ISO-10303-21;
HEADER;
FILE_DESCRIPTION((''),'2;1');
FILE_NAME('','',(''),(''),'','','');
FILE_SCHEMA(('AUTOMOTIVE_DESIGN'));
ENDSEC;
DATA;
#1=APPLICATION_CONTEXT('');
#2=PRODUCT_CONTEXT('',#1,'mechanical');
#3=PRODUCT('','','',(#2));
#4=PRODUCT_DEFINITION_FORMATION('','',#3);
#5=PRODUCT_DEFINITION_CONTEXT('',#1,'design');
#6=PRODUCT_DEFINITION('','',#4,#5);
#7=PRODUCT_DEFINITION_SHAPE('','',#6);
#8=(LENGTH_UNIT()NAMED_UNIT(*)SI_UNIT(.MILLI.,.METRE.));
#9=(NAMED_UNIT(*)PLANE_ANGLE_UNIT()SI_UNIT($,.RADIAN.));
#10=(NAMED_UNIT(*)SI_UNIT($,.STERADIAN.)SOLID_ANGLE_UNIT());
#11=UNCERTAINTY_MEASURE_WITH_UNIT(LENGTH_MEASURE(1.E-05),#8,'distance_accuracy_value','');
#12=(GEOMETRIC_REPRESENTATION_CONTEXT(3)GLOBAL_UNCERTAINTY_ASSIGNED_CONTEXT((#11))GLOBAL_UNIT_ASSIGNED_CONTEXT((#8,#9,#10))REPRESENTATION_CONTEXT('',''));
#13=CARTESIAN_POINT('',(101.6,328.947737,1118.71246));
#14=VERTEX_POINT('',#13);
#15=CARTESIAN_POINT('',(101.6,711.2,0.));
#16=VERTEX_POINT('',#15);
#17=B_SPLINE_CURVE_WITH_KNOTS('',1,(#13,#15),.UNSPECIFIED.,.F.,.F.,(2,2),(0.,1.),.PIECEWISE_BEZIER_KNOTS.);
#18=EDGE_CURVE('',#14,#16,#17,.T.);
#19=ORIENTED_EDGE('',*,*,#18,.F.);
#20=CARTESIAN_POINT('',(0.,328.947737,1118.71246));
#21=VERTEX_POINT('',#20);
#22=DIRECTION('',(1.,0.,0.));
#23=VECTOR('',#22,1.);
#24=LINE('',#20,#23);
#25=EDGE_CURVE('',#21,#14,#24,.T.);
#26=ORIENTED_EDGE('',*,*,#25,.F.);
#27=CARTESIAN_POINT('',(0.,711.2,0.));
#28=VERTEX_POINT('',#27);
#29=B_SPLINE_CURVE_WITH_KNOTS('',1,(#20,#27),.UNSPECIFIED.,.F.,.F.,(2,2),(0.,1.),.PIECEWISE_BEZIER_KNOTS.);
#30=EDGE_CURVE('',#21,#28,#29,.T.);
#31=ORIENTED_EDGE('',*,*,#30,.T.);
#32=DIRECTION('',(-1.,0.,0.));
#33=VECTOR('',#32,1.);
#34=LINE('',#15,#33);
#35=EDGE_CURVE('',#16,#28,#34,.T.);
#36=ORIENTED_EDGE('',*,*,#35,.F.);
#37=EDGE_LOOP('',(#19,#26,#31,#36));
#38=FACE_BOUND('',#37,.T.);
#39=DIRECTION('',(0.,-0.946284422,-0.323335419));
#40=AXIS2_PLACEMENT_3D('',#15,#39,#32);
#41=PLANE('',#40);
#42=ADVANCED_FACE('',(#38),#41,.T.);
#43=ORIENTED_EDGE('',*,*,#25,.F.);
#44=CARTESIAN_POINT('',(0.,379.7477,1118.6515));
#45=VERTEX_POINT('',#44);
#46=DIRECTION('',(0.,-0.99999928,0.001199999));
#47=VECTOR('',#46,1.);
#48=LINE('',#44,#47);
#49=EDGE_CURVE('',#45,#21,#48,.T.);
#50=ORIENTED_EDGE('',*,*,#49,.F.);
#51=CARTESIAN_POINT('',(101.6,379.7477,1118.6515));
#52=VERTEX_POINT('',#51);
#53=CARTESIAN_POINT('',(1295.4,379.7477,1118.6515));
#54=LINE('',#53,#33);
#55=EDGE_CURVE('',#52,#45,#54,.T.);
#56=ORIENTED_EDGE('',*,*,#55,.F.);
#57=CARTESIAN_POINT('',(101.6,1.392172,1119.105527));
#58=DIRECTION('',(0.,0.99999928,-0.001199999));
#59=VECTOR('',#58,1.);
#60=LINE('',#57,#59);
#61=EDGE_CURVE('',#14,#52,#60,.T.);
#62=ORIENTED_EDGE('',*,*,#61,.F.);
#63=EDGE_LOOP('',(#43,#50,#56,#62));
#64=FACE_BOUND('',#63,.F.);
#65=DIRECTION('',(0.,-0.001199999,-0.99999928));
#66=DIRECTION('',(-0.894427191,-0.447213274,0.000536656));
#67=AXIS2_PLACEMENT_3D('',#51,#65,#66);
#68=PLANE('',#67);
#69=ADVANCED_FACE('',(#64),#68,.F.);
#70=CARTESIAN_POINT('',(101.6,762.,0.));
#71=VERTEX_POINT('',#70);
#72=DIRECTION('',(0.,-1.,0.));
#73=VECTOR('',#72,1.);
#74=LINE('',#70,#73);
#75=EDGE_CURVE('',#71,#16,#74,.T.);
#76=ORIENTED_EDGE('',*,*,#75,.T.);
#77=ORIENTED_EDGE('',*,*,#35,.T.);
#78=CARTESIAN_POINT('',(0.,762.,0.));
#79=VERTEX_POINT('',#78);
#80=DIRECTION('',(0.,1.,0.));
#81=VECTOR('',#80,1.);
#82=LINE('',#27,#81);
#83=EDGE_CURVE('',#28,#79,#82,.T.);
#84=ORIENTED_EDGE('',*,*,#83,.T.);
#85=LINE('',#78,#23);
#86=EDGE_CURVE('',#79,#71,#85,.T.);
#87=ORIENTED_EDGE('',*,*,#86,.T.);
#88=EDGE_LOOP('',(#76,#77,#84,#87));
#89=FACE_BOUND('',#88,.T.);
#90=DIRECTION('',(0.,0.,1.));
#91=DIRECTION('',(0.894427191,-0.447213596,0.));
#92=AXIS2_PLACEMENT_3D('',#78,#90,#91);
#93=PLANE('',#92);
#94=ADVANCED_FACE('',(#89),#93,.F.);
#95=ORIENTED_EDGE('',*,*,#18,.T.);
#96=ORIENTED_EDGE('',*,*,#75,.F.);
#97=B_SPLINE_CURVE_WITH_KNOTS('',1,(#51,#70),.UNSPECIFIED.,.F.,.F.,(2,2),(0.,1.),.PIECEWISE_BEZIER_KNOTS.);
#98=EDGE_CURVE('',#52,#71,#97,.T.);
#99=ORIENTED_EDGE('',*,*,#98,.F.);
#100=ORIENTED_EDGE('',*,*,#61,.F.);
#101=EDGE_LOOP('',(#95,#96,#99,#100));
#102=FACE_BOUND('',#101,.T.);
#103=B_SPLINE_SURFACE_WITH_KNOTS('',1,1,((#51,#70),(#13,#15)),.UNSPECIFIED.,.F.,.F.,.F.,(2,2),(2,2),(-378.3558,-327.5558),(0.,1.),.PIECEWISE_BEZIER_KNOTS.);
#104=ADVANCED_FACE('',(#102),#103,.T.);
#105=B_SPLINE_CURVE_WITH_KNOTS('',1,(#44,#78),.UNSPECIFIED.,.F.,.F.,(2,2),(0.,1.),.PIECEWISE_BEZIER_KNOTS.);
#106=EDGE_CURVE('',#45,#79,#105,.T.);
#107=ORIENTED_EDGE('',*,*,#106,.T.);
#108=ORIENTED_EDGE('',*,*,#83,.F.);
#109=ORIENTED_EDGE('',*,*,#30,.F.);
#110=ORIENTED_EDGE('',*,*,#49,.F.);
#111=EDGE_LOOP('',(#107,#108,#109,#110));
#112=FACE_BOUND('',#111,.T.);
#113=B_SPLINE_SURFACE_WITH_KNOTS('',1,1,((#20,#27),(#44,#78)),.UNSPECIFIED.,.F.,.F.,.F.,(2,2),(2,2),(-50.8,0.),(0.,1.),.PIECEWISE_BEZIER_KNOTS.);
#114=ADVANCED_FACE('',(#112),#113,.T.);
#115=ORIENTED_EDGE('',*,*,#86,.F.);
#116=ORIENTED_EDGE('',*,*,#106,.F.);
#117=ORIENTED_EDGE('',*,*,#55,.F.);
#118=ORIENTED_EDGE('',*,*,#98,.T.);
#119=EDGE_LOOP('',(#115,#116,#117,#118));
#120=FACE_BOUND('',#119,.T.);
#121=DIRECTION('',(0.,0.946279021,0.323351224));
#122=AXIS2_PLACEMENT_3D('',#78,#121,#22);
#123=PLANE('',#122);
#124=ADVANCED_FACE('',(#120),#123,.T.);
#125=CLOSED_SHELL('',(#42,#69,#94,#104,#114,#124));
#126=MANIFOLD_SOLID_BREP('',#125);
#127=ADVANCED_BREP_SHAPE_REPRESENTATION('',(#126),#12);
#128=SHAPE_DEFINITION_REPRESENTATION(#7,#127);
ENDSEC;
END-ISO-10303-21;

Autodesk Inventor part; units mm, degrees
ref_plane "YZ Plane" through (0, 0, 0) normal (1, 0, 0) x (0, 1, 0)
ref_plane "XZ Plane" through (0, 0, 0) normal (0, 1, 0) x (-1, 0, 0)
ref_plane "XY Plane" through (0, 0, 0) normal (0, 0, 1) x (1, 0, 0)
ref_plane "Work Plane1" through (0, 0, 0) normal (0, 0, 1) x (1, 0, 0)
sketch "Sketch1" plane through (0, 0, 0) normal (0, 0, 1) x (1, 0, 0)
  line L0 (0, 762) -> (101.6, 762)
  line L1 (101.6, 762) -> (101.6, 711.2)
  line L2 (101.6, 711.2) -> (0, 711.2)
  line L3 (0, 711.2) -> (0, 762)
  point P0 (0, 0)
  dimension "d0" = 101.6
  dimension "d1" = 50.8
ref_plane "Work Plane2" through (-279.4, 379.7477, 1118.6515) normal (0, -0.0012, -1) x (1, 0, 0)
sketch "Sketch2" plane through (-279.4, 379.7477, 1118.6515) normal (0, -0.0012, -1) x (1, 0, 0)
  line L0 (1574.8, 0) -> (0, 0) projected
  line L1 (381, 378.3558) -> (381, -383.6437) projected
  line L2 (381, 0) -> (279.4, 0)
  line L3 (279.4, 0) -> (279.4, 50.8)
  line L4 (279.4, 50.8) -> (381, 50.8)
  line L5 (381, 50.8) -> (381, 0)
  point P0 (279.4, 378.4162)
  dimension "d2" = 101.6
  dimension "d3" = 50.8
loft "Loft1" add profiles "Sketch2", "Sketch1"
properties part number "UpperEarDiagonalv2"
